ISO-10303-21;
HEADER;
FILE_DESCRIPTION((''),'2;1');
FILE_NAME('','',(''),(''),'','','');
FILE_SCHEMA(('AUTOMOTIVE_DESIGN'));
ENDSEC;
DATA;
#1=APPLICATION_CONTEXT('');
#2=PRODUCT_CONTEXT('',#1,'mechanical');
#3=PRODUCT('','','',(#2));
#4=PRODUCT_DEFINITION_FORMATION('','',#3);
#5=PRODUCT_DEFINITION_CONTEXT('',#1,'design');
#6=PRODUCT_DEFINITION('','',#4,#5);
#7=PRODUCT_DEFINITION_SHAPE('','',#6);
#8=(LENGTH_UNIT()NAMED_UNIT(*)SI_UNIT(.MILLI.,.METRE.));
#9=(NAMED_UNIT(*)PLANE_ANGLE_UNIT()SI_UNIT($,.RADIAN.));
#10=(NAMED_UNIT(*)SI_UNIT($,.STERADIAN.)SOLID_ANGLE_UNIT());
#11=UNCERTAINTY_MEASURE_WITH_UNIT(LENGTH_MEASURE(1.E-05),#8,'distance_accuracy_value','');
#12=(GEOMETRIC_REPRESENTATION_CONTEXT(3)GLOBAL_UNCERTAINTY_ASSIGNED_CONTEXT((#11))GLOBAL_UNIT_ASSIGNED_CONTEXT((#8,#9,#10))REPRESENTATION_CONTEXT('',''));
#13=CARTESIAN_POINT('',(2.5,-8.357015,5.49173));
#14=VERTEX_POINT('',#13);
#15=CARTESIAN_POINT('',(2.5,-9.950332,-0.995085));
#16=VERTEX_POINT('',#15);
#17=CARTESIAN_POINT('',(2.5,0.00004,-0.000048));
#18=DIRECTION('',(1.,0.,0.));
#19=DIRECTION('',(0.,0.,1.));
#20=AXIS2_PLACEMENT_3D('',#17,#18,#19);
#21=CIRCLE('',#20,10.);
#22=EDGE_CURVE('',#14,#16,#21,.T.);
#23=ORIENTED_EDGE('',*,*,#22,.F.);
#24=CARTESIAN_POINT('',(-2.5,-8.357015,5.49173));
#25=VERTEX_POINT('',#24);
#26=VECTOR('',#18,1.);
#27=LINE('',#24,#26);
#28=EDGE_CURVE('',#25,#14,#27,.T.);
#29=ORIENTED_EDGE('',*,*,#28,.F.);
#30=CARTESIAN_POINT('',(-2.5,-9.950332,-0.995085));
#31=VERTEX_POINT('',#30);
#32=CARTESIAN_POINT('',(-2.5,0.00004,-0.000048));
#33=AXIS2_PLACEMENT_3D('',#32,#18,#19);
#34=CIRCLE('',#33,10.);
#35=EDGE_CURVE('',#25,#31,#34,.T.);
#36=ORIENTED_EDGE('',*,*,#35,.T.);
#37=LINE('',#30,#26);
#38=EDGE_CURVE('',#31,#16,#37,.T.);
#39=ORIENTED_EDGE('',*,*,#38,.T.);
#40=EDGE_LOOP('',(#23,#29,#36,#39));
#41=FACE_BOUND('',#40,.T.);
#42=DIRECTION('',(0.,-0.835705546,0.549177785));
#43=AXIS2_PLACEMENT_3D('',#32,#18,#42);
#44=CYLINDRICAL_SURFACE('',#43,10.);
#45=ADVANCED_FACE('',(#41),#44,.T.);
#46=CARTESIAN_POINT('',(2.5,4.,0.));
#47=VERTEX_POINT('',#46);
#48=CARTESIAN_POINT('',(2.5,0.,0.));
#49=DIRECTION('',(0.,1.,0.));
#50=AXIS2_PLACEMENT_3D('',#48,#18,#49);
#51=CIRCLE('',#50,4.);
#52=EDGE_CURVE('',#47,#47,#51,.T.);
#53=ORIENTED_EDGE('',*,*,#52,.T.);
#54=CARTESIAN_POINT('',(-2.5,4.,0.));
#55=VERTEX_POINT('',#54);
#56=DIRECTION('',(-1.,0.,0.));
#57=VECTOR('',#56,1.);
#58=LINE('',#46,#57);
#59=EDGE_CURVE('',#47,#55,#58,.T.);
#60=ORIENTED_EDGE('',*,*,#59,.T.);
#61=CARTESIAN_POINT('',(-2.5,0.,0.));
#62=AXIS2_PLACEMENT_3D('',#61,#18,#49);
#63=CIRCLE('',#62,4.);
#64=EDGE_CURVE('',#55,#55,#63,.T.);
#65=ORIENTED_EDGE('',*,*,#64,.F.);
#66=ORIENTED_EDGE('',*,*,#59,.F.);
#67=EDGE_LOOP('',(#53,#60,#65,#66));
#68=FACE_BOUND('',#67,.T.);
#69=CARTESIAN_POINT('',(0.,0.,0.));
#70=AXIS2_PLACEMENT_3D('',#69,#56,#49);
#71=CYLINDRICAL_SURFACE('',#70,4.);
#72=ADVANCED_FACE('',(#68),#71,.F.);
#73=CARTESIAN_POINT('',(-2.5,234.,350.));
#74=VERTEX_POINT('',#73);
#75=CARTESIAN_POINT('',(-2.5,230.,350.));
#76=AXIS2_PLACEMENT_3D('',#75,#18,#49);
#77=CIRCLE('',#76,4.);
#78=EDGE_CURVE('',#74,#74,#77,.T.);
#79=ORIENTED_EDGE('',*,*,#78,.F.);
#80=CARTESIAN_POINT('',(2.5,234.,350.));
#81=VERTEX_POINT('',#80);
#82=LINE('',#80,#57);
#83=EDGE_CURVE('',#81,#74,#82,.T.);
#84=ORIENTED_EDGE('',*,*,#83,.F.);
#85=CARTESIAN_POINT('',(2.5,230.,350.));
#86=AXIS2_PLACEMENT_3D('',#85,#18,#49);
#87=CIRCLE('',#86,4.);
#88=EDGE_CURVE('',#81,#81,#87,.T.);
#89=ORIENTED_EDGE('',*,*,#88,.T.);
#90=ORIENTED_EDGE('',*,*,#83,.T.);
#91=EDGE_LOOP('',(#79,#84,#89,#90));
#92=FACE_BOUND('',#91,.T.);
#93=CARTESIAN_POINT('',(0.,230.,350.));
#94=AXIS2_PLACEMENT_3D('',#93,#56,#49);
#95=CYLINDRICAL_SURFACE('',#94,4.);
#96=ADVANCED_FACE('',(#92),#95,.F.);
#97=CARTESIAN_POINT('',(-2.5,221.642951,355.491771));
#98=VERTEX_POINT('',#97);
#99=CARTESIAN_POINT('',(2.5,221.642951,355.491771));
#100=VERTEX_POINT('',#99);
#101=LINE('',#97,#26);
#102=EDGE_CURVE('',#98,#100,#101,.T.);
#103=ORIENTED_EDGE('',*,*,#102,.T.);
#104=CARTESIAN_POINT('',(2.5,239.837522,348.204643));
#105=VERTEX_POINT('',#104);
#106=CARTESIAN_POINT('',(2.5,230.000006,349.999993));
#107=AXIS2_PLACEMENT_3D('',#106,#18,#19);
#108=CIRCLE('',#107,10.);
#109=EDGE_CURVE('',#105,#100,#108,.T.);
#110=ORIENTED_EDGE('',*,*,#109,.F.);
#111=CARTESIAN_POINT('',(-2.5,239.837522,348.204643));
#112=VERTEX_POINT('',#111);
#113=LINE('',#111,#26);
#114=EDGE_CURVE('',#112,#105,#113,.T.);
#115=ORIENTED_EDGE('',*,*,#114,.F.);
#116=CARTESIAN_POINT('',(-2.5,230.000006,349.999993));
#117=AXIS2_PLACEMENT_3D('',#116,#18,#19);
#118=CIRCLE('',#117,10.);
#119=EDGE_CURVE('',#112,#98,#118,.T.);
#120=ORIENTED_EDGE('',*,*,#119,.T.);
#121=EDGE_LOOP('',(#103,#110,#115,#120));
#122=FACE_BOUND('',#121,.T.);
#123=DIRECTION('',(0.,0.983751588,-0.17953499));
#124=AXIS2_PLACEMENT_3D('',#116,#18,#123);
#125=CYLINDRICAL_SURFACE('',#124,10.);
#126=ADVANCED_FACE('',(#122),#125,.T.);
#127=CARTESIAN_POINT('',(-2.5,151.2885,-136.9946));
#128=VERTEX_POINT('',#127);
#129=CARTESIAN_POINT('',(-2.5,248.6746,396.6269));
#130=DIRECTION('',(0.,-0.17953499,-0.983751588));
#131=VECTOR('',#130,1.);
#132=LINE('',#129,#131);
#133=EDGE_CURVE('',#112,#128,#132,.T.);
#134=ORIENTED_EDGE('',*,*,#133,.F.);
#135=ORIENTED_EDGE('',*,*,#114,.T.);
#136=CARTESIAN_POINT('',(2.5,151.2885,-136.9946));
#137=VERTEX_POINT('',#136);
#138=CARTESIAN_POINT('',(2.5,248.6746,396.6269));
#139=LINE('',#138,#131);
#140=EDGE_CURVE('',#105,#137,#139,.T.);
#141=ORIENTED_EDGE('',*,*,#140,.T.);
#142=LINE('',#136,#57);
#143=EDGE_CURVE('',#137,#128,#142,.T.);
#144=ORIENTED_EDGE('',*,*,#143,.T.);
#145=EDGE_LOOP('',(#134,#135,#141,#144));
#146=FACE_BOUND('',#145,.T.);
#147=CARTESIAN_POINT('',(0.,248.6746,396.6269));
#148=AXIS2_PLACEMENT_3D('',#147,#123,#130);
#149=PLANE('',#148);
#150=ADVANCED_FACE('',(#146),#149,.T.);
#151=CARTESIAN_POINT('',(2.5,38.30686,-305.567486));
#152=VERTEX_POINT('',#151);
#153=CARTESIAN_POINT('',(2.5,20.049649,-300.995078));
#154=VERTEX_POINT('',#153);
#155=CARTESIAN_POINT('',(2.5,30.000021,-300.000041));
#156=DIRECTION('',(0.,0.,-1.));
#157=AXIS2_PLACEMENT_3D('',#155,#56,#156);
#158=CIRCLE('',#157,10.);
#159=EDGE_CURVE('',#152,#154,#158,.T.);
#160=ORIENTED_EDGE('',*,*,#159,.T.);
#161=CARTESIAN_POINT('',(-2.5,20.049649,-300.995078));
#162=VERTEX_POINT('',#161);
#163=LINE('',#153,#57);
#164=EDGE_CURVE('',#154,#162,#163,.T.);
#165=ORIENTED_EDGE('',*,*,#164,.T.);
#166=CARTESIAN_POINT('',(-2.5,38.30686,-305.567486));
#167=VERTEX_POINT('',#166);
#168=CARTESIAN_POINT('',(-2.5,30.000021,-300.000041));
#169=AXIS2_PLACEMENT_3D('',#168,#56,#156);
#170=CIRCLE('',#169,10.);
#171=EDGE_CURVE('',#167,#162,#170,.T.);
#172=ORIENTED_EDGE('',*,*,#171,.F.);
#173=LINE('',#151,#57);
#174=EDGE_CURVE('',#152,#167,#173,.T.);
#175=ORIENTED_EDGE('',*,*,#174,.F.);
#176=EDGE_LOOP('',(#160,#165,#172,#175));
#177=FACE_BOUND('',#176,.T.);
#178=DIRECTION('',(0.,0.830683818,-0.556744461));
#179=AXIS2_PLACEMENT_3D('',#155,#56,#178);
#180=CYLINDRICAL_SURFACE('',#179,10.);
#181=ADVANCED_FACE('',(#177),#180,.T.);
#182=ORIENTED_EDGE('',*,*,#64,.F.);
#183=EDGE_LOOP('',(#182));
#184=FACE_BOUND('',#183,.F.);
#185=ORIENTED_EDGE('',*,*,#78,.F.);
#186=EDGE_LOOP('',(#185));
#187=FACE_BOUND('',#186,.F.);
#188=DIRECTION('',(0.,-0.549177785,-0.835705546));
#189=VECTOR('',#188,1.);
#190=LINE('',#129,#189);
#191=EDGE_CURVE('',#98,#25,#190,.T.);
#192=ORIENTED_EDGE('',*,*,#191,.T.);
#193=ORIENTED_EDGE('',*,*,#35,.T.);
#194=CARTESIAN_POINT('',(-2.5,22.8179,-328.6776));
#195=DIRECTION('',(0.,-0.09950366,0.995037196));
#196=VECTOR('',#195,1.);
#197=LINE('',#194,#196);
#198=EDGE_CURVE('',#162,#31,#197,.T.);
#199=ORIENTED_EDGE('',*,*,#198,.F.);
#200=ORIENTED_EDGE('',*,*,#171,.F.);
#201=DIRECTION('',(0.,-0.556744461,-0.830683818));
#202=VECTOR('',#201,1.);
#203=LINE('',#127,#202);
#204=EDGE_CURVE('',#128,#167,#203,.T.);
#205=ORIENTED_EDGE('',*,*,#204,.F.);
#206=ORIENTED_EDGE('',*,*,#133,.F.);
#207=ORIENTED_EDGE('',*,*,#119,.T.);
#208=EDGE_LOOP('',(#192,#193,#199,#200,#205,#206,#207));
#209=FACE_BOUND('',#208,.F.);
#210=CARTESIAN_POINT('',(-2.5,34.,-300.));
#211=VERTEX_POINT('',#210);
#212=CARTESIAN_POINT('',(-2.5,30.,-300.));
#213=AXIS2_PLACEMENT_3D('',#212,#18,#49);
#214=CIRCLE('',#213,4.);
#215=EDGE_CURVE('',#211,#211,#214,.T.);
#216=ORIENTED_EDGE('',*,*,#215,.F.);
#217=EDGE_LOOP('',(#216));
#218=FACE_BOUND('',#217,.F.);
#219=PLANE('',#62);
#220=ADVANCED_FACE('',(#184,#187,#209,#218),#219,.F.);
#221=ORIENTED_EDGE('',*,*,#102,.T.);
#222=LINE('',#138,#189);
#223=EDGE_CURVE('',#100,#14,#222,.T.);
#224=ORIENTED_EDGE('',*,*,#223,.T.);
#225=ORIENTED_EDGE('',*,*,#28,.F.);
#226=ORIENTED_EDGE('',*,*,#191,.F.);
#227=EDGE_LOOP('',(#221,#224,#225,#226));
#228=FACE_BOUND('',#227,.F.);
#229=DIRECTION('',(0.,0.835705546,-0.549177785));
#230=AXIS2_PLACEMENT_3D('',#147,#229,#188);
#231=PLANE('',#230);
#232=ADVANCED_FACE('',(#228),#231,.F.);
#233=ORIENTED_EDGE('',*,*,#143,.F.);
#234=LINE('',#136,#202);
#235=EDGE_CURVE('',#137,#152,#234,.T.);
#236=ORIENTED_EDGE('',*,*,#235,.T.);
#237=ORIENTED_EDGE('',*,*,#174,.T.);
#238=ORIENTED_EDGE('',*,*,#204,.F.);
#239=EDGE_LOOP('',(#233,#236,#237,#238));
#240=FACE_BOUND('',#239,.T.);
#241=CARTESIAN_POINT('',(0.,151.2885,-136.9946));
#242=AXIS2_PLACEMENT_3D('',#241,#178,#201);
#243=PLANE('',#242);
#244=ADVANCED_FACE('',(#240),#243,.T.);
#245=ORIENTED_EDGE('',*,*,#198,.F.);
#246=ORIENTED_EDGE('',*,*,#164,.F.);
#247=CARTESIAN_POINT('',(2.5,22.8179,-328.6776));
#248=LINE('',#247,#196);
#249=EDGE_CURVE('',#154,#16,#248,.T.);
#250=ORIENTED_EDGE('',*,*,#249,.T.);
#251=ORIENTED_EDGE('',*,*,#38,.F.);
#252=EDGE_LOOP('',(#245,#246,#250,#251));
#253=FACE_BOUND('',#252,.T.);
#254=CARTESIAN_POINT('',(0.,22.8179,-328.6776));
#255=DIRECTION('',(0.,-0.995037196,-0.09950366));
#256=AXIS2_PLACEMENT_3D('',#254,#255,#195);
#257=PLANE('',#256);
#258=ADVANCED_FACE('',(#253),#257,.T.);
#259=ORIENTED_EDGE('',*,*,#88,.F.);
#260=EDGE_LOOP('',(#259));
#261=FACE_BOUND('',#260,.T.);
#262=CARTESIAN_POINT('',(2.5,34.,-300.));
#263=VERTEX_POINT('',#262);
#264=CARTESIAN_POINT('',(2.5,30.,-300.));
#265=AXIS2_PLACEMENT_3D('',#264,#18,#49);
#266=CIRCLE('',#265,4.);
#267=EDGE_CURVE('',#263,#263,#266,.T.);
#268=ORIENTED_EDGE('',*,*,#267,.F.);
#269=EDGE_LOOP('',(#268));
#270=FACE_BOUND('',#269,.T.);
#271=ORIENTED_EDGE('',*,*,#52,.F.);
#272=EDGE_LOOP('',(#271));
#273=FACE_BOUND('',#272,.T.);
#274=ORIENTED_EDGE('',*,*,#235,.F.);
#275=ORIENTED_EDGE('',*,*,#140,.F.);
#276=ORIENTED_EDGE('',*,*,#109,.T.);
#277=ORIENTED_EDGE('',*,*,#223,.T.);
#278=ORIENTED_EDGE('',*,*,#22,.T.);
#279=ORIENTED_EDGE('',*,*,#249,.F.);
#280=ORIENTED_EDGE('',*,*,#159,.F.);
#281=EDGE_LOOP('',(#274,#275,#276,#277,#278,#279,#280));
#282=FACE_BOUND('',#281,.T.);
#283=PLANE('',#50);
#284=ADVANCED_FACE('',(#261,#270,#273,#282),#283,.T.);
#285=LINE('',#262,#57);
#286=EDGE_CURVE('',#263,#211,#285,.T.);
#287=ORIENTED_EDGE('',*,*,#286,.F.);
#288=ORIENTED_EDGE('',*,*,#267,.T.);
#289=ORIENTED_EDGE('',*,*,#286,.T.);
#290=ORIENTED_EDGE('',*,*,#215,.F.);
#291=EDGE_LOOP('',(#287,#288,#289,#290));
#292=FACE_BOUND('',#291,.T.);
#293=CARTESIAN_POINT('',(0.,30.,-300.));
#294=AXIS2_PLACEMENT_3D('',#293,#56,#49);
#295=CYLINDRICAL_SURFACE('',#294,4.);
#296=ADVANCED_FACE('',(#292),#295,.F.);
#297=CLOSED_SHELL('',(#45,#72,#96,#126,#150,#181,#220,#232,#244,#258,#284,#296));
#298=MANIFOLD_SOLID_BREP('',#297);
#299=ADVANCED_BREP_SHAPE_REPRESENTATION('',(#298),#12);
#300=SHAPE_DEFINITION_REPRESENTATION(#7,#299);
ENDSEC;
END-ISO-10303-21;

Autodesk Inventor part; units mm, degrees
ref_plane "YZ Plane" through (0, 0, 0) normal (1, 0, 0) x (0, 1, 0)
ref_plane "XZ Plane" through (0, 0, 0) normal (0, 1, 0) x (-1, 0, 0)
ref_plane "XY Plane" through (0, 0, 0) normal (0, 0, 1) x (1, 0, 0)
sketch "スケッチ1" plane through (0, 0, 0) normal (1, 0, 0) x (0, 1, 0)
  circle A0 centre (0, 0) radius 4
  circle A1 centre (30, -300) radius 4
  circle A2 centre (230, 350) radius 4
  line L0 (248.6746, 396.6269) -> (151.2885, -136.9946)
  line L1 (151.2885, -136.9946) -> (22.8179, -328.6776)
  line L2 (22.8179, -328.6776) -> (-10.3029, 2.5306)
  line L3 (248.6746, 396.6269) -> (-10.3029, 2.5306)
  dimension "d0" = 30
  dimension "d1" = 300
  dimension "d2" = 8
  dimension "d3" = 8
  dimension "d4" = 350
  dimension "d5" = 230
  dimension "d6" = 8
  dimension "d9" = 10
  dimension "d11" = 10
  dimension "d13" = 10
  dimension "d14" = 10
  dimension "d16" = 10
  dimension "d29" = 10
extrude "押し出し3" add sketch "スケッチ1" along normal mid plane 5
fillet "フィレット3" radius 10 3 edges at (0, 248.6746, 396.6269) (0, 22.8179, -328.6776) (0, -10.3029, 2.5306)
properties part number "swan_plate"
